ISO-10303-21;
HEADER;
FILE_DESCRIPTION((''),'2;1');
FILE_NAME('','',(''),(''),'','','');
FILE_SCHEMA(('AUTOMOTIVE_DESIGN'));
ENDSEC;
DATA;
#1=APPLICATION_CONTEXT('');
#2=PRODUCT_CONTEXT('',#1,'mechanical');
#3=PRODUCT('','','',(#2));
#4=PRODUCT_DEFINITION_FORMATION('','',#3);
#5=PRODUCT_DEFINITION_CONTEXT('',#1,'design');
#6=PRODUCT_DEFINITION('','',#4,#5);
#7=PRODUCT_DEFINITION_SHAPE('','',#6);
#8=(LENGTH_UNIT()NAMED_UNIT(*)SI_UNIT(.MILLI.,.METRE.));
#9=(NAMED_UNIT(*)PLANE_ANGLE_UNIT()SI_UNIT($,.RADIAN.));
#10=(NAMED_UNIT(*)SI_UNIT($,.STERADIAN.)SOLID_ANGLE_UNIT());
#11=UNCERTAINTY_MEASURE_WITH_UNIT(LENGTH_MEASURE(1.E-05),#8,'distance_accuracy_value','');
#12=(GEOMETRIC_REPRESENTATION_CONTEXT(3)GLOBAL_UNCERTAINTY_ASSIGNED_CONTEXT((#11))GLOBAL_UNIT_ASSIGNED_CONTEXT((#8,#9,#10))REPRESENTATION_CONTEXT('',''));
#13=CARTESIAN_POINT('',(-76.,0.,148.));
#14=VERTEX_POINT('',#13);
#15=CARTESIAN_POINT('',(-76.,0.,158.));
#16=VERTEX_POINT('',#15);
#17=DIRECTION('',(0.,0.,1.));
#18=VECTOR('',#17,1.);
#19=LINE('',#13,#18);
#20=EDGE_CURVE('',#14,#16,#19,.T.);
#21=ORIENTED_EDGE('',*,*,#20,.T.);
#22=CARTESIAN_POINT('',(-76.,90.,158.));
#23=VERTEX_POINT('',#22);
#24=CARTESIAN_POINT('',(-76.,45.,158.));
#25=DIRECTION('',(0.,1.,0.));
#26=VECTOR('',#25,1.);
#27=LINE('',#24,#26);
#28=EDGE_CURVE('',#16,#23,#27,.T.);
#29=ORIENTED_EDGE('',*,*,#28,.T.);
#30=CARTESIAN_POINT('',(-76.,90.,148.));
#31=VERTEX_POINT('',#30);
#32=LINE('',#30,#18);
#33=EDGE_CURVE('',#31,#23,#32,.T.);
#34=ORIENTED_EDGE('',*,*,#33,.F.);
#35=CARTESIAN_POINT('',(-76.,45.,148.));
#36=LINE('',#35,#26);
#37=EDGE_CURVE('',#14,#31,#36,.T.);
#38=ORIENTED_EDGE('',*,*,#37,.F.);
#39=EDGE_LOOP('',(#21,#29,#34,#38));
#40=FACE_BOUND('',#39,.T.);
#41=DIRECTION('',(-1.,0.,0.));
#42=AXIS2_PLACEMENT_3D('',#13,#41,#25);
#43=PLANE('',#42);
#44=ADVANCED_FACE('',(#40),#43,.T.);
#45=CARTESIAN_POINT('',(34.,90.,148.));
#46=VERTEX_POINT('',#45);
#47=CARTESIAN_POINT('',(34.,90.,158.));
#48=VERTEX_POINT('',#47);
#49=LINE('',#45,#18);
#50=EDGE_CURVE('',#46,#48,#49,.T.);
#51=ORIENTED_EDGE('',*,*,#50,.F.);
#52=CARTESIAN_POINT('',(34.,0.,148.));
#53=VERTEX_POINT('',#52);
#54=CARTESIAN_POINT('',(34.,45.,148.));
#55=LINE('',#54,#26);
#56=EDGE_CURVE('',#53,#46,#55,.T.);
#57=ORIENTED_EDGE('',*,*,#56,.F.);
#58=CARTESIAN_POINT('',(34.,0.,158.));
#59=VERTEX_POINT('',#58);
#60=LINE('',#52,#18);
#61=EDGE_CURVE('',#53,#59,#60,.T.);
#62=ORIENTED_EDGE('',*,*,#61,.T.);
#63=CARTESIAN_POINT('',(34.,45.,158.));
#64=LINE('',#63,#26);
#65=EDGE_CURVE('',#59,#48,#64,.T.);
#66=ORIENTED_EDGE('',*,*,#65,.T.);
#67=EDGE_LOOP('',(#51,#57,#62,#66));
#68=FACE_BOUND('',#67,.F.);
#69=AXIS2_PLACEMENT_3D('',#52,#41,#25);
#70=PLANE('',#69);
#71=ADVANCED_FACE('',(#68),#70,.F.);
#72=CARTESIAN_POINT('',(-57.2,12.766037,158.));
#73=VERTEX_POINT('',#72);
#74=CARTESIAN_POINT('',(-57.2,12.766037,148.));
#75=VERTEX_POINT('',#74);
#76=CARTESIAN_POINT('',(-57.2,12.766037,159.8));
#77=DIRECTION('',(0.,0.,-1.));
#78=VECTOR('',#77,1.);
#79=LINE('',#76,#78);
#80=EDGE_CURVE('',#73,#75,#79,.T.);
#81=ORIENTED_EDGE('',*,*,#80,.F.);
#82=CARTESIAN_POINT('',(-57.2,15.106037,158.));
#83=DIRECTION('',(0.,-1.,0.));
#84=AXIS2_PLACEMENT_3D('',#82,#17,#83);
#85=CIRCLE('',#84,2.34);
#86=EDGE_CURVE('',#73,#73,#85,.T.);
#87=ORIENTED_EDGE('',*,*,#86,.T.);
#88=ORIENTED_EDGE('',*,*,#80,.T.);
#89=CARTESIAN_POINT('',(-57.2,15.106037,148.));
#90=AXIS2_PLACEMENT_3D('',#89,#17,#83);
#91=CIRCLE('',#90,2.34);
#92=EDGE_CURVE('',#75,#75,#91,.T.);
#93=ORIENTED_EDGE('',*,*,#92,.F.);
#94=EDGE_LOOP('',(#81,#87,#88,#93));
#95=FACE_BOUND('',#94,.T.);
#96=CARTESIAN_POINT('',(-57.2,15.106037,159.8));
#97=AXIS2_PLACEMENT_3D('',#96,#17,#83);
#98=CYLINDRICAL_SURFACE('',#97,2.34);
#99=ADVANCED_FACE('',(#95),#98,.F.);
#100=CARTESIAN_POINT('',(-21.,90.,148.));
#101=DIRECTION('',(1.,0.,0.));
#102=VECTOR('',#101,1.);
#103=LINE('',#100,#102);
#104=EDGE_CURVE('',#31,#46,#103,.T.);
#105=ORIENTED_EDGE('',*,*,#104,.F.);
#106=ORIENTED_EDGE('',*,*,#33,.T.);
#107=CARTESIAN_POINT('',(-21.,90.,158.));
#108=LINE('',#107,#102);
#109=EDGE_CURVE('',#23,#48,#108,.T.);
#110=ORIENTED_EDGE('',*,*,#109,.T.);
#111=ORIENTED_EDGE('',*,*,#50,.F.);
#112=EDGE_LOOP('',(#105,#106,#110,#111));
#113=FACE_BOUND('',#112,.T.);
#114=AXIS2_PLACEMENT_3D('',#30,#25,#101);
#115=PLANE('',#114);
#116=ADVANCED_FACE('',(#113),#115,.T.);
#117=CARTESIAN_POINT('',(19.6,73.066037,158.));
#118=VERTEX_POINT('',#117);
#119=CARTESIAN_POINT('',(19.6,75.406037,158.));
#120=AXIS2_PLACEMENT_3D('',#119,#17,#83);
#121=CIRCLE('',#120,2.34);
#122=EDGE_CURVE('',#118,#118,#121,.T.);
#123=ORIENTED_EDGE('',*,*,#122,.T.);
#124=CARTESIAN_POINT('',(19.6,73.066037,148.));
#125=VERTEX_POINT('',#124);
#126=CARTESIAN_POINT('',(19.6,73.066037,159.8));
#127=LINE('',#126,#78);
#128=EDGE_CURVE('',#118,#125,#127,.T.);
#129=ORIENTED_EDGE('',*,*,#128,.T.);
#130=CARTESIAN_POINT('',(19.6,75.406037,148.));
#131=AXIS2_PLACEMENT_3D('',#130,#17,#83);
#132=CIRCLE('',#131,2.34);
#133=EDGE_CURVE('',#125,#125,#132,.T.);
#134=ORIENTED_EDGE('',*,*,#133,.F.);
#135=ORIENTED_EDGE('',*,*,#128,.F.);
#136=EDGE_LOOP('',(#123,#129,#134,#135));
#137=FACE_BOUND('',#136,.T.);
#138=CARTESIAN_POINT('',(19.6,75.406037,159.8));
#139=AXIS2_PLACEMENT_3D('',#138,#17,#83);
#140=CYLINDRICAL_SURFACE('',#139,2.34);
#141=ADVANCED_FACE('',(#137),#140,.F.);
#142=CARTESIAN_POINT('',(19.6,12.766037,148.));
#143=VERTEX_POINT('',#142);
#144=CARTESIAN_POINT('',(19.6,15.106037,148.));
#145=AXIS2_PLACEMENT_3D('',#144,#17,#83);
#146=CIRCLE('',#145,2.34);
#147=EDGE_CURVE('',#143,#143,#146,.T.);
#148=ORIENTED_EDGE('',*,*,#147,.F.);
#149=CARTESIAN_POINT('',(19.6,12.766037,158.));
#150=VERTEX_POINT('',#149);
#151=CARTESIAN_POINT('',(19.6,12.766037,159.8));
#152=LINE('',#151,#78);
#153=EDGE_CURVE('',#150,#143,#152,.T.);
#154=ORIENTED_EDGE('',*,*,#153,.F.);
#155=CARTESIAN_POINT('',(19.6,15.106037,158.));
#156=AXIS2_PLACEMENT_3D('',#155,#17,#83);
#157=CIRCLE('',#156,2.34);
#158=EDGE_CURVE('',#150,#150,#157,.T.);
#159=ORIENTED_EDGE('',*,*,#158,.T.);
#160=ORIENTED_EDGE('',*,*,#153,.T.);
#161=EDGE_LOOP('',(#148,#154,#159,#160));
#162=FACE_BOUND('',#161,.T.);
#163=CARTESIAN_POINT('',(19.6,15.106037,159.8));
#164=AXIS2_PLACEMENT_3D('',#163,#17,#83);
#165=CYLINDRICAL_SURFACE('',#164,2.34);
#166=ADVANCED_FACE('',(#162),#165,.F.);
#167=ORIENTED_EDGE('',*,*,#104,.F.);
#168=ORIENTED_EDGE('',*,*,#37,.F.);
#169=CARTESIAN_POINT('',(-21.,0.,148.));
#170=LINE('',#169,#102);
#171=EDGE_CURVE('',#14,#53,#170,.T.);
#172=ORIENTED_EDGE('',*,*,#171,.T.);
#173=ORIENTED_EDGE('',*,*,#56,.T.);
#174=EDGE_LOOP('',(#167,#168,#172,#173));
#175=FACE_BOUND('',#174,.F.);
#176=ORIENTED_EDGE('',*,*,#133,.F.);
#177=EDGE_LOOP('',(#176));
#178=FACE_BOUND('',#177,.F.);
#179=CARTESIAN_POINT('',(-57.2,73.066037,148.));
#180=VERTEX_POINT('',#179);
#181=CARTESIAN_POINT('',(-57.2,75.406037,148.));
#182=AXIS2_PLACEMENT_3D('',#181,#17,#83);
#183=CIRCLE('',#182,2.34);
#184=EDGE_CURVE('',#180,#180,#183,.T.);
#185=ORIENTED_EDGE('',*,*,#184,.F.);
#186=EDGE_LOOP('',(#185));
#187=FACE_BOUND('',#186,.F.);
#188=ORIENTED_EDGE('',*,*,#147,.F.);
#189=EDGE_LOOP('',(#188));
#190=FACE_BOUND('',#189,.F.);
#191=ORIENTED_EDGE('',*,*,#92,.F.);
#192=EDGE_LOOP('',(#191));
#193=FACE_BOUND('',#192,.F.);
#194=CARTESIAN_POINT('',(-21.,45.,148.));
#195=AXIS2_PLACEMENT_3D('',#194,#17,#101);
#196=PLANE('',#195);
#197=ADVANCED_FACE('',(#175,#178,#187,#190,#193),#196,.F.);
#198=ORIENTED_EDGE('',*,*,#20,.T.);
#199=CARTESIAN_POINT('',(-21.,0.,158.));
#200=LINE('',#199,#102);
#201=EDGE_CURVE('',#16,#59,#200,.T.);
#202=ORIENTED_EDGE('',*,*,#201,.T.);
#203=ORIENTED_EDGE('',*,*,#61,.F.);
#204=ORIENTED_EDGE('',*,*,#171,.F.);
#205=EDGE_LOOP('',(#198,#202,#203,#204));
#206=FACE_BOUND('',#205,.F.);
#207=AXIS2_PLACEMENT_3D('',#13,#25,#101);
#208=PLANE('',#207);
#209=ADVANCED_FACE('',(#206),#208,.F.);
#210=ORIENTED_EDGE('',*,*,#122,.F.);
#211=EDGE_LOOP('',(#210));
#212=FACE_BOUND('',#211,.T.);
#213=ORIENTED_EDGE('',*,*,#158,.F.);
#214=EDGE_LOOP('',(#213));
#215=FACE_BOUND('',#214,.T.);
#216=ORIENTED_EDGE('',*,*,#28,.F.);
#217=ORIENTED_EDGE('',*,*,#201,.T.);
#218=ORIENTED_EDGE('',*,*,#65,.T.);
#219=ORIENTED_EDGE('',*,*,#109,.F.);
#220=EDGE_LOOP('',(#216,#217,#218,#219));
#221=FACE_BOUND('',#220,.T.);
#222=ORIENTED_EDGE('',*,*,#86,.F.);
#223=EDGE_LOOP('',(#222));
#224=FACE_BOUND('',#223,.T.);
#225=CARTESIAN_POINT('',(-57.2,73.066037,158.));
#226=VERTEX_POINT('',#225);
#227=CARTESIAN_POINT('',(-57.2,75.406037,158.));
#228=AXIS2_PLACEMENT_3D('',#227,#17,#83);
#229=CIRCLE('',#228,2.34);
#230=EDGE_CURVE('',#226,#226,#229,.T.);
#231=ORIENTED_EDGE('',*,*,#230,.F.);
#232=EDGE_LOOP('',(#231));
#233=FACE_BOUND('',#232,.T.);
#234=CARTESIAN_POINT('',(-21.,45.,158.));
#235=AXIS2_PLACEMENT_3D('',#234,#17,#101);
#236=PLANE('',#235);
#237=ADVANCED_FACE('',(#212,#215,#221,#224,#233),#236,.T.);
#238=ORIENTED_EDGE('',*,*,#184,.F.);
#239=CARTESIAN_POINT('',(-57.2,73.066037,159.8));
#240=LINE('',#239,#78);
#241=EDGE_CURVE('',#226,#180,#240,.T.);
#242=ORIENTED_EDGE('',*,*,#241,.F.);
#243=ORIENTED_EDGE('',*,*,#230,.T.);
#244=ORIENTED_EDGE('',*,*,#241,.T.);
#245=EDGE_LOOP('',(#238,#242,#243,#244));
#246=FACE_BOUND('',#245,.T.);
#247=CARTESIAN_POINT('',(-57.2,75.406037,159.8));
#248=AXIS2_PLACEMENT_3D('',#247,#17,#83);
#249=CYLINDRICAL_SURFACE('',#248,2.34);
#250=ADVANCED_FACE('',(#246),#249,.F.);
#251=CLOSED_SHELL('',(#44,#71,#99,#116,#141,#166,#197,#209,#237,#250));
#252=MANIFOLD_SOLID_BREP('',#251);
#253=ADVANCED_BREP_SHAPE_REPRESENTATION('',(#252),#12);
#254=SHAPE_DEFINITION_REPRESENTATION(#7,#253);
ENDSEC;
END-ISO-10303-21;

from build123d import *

# Parameters (mm, degrees)
SKETCH054_R                = 2.34
EXTRUDE056_DEPTH           = 20
EXTRUDE056_PLACEMENT_ANGLE = 90
SKETCH055_R                = 2.34
EXTRUDE057_DEPTH           = 20
EXTRUDE057_PLACEMENT_ANGLE = 90
SKETCH056_R                = 2.34
EXTRUDE058_DEPTH           = 20
EXTRUDE058_PLACEMENT_ANGLE = 90
SKETCH053_R                = 2.34
EXTRUDE055_DEPTH           = 20
EXTRUDE055_PLACEMENT_ANGLE = 90
SKETCH023_W                = 110
SKETCH023_H                = 90
EXTRUDE026_DEPTH           = 10


with BuildPart() as tornillos012:
    # Sketch054 → Extrude056 (new body)
    with BuildSketch(Plane(origin=(-98, -107, 0), x_dir=(0, -1, 0), z_dir=(-1, 0, 0))):
        with Locations((-135.006037, 30)):
            Circle(SKETCH054_R)
    extrude(amount=EXTRUDE056_DEPTH)


with BuildPart() as tornillos012_1:
    # Extrude056 placement: moved
    add(tornillos012.part.moved(Location((-27.2, 47.4, 257.8))).rotate(Axis((-27.2, 47.4, 257.8), (0, -1, 0)), EXTRUDE056_PLACEMENT_ANGLE))


with BuildPart() as tornillos013:
    # Sketch055 → Extrude057 (new body)
    with BuildSketch(Plane(origin=(-98, -107, 0), x_dir=(0, -1, 0), z_dir=(-1, 0, 0))):
        with Locations((-135.006037, 30)):
            Circle(SKETCH055_R)
    extrude(amount=EXTRUDE057_DEPTH)


with BuildPart() as tornillos013_1:
    # Extrude057 placement: moved
    add(tornillos013.part.moved(Location((49.6, -12.9, 257.8))).rotate(Axis((49.6, -12.9, 257.8), (0, -1, 0)), EXTRUDE057_PLACEMENT_ANGLE))


with BuildPart() as tornillos014:
    # Sketch056 → Extrude058 (new body)
    with BuildSketch(Plane(origin=(-98, -107, 0), x_dir=(0, -1, 0), z_dir=(-1, 0, 0))):
        with Locations((-135.006037, 30)):
            Circle(SKETCH056_R)
    extrude(amount=EXTRUDE058_DEPTH)


with BuildPart() as tornillos014_1:
    # Extrude058 placement: moved
    add(tornillos014.part.moved(Location((49.6, 47.4, 257.8))).rotate(Axis((49.6, 47.4, 257.8), (0, -1, 0)), EXTRUDE058_PLACEMENT_ANGLE))


with BuildPart() as tornillos011:
    # Sketch053 → Extrude055 (new body)
    with BuildSketch(Plane(origin=(-98, -107, 0), x_dir=(0, -1, 0), z_dir=(-1, 0, 0))):
        with Locations((-135.006037, 30)):
            Circle(SKETCH053_R)
    extrude(amount=EXTRUDE055_DEPTH)


with BuildPart() as tornillos011_1:
    # Extrude055 placement: moved
    add(tornillos011.part.moved(Location((-27.2, -12.9, 257.8))).rotate(Axis((-27.2, -12.9, 257.8), (0, -1, 0)), EXTRUDE055_PLACEMENT_ANGLE))


with BuildPart() as techo:
    # Sketch023 → Extrude026 (new body)
    with BuildSketch(Plane.XY):
        with Locations((-45, 45)):
            Rectangle(SKETCH023_W, SKETCH023_H)
    extrude(amount=EXTRUDE026_DEPTH)


with BuildPart() as techo_1:
    # Extrude026 placement: moved
    add(techo.part.moved(Location((24, 0, 148))))

    # Cut026: cut Tornillos011
    add(tornillos011_1.part, mode=Mode.SUBTRACT)

    # Cut027: cut Tornillos014
    add(tornillos014_1.part, mode=Mode.SUBTRACT)

    # Cut028: cut Tornillos013
    add(tornillos013_1.part, mode=Mode.SUBTRACT)

    # Cut029: cut Tornillos012
    add(tornillos012_1.part, mode=Mode.SUBTRACT)


solid = techo_1.part
